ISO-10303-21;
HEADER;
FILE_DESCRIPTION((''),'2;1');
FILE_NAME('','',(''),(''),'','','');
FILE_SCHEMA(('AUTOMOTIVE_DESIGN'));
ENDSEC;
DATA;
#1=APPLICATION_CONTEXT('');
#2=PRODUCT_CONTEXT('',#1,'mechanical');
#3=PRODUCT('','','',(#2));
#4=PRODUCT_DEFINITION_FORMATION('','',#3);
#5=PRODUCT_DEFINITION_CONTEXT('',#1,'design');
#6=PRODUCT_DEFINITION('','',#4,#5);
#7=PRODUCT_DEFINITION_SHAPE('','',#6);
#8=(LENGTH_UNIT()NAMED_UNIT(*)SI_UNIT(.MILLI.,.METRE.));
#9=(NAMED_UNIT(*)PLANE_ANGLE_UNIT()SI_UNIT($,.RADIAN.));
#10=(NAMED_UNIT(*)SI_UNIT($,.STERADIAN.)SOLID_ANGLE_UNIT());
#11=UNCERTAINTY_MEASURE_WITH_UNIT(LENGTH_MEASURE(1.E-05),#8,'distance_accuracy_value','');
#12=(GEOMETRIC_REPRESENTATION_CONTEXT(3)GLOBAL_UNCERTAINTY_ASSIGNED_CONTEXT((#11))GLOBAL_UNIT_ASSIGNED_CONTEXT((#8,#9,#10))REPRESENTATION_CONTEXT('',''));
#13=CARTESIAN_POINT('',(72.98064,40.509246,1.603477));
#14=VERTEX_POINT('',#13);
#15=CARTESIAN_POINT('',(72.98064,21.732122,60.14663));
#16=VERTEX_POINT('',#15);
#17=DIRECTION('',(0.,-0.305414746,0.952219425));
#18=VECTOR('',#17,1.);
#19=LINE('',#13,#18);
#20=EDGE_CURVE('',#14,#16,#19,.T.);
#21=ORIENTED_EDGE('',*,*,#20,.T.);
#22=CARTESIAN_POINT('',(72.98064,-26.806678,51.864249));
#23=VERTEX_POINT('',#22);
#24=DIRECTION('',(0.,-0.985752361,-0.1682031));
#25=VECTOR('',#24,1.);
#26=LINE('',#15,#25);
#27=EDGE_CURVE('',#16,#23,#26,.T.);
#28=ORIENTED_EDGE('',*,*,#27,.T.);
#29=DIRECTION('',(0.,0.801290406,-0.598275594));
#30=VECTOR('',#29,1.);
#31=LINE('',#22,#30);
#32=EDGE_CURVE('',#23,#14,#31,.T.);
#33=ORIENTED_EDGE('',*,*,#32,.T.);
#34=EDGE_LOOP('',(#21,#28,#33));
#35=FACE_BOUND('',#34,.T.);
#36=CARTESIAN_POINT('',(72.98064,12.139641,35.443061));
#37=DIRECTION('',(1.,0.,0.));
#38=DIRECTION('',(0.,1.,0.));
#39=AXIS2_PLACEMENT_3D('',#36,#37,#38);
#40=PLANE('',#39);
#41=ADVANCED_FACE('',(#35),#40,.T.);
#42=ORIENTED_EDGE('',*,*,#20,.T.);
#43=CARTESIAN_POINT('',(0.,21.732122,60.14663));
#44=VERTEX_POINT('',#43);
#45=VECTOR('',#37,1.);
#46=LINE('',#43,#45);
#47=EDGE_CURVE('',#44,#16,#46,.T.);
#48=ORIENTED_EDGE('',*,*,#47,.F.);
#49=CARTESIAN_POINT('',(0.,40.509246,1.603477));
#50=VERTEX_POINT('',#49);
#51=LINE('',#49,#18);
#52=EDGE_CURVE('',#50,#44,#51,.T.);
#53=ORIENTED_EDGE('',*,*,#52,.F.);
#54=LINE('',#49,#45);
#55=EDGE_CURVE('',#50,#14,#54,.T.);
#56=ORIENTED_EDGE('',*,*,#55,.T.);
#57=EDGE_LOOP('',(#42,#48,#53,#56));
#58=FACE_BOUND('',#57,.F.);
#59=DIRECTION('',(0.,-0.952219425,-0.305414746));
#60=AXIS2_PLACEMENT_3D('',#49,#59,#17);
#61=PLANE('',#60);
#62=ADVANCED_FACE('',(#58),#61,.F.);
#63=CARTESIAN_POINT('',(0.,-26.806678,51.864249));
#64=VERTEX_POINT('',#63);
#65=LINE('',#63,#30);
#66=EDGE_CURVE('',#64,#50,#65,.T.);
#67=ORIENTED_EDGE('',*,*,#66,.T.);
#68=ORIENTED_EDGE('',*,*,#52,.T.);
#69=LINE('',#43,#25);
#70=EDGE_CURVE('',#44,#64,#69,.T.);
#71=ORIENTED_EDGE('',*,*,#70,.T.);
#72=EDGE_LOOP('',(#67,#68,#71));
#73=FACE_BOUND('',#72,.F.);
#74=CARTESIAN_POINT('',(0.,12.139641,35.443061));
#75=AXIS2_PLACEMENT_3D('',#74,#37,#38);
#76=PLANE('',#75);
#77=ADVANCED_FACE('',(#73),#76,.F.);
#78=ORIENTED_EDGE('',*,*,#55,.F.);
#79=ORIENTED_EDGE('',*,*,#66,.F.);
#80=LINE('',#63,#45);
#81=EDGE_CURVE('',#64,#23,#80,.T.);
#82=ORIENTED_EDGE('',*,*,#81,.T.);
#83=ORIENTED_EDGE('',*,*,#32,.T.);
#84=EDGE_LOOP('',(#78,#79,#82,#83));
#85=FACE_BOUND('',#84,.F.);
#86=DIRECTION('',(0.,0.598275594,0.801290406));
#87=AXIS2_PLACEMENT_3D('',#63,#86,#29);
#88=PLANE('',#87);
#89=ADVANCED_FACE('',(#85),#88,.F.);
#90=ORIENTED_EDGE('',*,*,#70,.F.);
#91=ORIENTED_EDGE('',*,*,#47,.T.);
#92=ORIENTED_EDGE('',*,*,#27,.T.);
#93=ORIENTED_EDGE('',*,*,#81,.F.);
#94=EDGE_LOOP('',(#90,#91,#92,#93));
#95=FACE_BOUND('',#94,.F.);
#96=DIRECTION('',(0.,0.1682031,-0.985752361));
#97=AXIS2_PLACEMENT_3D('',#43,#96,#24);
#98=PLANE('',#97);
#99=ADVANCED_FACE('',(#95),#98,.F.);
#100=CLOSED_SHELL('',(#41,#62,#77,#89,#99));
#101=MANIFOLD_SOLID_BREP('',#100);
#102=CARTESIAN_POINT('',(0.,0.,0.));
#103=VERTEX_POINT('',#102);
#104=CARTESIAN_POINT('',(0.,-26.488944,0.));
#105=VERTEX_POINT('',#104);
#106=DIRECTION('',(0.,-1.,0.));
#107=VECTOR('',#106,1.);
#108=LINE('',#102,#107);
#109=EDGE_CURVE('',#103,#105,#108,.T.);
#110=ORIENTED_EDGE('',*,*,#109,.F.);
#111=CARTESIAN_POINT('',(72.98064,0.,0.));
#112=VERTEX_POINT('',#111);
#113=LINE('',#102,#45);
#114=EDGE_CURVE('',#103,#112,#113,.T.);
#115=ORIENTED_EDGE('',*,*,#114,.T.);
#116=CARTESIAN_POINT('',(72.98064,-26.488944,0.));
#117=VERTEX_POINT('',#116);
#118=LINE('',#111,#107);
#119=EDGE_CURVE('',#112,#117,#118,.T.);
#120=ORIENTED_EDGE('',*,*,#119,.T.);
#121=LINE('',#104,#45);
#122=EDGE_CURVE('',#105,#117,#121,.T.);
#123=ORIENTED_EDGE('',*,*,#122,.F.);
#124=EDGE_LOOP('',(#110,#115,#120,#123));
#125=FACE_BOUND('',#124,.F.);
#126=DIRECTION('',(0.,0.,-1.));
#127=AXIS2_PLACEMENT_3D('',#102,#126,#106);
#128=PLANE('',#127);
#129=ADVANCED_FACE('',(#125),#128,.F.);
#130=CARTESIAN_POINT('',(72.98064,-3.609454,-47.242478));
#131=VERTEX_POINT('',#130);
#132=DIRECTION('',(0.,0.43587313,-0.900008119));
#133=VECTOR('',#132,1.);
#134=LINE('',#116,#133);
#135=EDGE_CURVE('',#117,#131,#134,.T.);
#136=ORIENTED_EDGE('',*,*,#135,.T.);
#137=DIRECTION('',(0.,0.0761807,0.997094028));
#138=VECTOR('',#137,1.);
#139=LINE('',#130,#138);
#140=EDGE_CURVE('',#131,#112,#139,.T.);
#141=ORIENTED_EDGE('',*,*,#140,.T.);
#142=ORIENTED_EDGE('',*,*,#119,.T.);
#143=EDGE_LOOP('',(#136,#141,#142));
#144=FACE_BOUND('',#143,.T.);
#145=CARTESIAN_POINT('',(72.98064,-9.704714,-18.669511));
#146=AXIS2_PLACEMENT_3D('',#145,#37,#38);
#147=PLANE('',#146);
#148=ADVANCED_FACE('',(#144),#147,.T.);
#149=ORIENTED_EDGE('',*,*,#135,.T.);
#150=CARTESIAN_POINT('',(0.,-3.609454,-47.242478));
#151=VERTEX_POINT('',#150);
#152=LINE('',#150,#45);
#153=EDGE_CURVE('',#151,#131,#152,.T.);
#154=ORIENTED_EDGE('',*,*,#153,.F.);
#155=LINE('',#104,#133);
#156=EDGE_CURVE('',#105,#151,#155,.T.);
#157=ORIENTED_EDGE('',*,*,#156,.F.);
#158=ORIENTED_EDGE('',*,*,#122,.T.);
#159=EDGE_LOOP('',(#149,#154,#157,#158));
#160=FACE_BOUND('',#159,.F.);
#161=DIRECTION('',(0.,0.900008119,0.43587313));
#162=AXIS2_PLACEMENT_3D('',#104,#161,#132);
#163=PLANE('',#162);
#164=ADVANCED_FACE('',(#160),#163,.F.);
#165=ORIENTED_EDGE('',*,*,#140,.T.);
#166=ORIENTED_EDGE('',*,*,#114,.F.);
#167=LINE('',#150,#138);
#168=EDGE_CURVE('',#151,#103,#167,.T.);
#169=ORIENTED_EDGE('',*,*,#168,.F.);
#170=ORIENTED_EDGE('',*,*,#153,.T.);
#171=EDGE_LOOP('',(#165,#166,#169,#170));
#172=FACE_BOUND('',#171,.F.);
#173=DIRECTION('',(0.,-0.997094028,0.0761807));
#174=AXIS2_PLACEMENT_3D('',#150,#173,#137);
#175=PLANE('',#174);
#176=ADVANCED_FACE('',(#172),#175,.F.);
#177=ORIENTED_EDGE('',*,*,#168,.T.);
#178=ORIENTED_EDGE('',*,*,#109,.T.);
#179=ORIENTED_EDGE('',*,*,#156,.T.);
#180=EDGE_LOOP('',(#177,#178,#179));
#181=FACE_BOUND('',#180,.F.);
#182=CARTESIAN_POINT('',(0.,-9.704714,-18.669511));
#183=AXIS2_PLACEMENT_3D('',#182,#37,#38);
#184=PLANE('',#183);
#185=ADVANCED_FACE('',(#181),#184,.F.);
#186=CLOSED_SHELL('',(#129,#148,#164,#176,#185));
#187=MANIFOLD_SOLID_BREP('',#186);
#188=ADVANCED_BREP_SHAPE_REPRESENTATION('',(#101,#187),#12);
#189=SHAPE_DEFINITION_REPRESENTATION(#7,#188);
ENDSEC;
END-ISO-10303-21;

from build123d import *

# Parameters (mm, degrees)
F1_DEPTH = 72.98064


with BuildPart() as f1:
    # F0 (on Right) → F1 (new body)
    with BuildSketch(Plane.YZ):
        Polygon((40.509246, 1.603477), (21.732122, 60.14663), (-26.806678, 51.864249), align=None)
        Polygon((0, 0), (-26.488944, 0), (-3.609454, -47.242478), align=None)
    extrude(amount=F1_DEPTH)


solid = f1.part
